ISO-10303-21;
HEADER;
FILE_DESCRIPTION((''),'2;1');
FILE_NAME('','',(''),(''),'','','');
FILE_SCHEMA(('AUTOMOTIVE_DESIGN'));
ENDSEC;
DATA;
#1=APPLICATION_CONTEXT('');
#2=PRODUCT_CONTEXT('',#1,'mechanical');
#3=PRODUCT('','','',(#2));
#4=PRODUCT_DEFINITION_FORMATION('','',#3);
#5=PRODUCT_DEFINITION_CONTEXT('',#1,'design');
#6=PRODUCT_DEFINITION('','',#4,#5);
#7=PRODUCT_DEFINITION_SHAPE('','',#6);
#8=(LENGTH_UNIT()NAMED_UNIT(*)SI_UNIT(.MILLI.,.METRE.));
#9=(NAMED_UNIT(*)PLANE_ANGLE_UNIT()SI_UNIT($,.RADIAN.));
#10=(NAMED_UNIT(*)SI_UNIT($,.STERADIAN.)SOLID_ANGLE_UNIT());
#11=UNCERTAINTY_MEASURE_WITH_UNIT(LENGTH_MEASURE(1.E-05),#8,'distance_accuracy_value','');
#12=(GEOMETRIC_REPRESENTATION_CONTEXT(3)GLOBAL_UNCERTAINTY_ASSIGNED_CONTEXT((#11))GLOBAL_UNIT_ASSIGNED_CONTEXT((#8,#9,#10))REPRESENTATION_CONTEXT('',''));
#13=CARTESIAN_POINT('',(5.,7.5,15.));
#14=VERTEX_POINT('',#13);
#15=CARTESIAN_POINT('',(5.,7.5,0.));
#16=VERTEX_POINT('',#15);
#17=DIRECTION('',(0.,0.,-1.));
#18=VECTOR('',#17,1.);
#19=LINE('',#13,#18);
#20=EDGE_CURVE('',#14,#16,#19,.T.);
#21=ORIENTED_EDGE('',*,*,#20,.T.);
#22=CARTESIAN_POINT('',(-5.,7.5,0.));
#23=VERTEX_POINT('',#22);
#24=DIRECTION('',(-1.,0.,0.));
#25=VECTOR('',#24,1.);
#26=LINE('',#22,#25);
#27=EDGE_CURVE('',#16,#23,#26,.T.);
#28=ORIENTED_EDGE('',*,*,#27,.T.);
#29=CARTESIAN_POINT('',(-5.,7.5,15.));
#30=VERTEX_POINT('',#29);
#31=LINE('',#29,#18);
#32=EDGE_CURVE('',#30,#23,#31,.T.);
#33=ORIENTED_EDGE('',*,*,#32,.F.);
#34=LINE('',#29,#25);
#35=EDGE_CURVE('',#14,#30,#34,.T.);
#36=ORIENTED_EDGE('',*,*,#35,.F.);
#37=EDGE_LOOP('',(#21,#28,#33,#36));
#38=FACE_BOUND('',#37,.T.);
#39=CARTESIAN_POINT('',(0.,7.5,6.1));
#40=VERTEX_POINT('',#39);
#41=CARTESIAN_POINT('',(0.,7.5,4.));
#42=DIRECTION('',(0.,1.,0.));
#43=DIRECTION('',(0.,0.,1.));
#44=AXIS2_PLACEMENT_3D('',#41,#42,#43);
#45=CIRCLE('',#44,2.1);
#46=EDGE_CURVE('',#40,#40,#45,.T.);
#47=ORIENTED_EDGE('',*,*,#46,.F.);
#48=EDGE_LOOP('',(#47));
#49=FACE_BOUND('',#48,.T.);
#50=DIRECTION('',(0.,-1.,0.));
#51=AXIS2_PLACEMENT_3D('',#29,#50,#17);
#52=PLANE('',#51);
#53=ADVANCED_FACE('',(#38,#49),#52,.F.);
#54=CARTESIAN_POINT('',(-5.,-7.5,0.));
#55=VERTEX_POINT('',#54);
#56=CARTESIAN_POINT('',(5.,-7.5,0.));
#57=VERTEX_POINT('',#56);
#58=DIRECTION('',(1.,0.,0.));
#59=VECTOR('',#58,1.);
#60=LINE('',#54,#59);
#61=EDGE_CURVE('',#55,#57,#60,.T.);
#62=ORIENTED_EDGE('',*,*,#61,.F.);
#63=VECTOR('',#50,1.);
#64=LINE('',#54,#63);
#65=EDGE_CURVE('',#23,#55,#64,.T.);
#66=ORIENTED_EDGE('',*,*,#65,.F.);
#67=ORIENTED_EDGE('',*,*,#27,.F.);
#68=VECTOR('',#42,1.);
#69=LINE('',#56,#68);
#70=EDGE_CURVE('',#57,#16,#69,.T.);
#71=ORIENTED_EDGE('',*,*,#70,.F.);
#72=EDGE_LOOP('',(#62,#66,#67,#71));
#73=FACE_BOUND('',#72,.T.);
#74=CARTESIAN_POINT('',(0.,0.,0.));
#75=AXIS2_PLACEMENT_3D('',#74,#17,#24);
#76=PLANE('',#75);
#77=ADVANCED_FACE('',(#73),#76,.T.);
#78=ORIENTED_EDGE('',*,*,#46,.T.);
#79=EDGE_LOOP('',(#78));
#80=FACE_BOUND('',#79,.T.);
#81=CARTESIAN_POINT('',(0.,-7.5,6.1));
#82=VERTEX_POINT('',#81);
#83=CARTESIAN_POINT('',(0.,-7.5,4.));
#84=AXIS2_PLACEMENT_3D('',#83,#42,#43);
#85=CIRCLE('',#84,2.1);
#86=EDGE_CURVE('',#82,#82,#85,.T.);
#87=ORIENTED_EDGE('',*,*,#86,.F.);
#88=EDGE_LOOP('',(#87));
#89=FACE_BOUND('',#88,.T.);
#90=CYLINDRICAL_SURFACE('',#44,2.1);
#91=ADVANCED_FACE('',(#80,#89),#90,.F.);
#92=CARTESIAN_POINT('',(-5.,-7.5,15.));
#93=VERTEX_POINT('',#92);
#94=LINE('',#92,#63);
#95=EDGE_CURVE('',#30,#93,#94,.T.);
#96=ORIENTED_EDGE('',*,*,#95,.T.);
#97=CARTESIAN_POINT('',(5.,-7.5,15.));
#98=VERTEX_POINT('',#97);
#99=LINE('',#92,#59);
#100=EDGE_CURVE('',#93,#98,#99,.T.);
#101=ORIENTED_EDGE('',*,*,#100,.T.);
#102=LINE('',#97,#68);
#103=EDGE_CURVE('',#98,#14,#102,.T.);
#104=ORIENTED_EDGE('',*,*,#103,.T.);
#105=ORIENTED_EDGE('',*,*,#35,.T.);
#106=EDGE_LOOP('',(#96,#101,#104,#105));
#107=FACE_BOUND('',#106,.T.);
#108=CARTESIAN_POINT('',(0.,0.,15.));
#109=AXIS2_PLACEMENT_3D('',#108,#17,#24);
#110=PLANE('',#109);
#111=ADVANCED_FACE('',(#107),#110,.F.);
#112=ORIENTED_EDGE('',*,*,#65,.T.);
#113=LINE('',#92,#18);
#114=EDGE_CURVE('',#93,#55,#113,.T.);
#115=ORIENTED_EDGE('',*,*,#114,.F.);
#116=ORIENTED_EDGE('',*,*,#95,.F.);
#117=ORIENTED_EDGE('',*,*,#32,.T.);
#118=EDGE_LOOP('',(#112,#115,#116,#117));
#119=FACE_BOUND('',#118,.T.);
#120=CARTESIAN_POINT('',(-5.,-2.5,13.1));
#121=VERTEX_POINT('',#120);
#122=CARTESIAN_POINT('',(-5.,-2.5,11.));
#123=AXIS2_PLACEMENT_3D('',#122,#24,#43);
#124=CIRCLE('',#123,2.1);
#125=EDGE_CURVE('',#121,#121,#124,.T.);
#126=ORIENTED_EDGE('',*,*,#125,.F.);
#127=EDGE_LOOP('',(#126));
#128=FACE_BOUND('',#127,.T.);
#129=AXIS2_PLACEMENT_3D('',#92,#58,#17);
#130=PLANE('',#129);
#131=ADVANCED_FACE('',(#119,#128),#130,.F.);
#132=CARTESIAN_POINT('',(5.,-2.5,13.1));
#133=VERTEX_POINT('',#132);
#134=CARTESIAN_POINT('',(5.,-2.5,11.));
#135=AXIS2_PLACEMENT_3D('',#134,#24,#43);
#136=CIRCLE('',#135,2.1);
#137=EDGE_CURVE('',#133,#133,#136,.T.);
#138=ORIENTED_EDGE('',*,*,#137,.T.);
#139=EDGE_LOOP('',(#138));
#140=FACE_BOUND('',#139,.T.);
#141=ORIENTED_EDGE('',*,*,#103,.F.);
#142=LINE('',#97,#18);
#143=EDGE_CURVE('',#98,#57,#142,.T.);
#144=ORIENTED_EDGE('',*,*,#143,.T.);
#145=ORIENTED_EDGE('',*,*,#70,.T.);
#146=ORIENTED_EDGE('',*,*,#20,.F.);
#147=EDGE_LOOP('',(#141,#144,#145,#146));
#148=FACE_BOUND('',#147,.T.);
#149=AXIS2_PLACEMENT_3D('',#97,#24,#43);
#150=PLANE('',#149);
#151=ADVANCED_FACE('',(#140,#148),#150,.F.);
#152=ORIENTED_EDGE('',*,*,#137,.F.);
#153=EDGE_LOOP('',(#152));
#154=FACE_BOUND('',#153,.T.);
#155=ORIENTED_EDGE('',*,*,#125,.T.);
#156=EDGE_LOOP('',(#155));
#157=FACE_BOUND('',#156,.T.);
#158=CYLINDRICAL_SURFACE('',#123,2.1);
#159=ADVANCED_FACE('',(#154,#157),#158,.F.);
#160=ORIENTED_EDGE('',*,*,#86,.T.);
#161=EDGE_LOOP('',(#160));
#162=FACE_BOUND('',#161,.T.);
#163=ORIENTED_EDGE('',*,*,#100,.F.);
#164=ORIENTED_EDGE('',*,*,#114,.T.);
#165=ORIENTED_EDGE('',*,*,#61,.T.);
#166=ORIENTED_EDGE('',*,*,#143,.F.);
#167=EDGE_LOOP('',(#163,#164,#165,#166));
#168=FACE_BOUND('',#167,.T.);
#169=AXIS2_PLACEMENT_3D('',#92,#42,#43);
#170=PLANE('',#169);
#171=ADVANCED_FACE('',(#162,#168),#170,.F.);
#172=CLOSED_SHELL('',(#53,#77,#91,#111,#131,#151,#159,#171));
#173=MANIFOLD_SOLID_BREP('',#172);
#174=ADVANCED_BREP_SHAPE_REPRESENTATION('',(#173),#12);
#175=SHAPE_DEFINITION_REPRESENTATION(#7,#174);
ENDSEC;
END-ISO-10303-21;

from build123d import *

# Parameters (mm, degrees)
SKETCH1_W             = 10
SKETCH1_H             = 15
BOSS_EXTRUDE1_DEPTH   = 15
M5X0_8_TAPPED_HOLE1_D = 4.2
M5X0_8_TAPPED_HOLE2_D = 4.2


with BuildPart() as part:
    # Sketch1 → Boss-Extrude1 (new body)
    with BuildSketch(Plane.XY):
        Rectangle(SKETCH1_W, SKETCH1_H)
    extrude(amount=BOSS_EXTRUDE1_DEPTH)

    # M5x0.8 Tapped Hole1 (through all)
    with Locations(Plane(origin=(0, 7.5, 0), x_dir=(1, 0, 0), z_dir=(0, 1, 0))):
        with Locations((0, -4)):
            Hole(M5X0_8_TAPPED_HOLE1_D / 2)

    # M5x0.8 Tapped Hole2 (through all)
    with Locations(Plane.ZY.offset(5)):
        with Locations((11, -2.5)):
            Hole(M5X0_8_TAPPED_HOLE2_D / 2)


solid = part.part
